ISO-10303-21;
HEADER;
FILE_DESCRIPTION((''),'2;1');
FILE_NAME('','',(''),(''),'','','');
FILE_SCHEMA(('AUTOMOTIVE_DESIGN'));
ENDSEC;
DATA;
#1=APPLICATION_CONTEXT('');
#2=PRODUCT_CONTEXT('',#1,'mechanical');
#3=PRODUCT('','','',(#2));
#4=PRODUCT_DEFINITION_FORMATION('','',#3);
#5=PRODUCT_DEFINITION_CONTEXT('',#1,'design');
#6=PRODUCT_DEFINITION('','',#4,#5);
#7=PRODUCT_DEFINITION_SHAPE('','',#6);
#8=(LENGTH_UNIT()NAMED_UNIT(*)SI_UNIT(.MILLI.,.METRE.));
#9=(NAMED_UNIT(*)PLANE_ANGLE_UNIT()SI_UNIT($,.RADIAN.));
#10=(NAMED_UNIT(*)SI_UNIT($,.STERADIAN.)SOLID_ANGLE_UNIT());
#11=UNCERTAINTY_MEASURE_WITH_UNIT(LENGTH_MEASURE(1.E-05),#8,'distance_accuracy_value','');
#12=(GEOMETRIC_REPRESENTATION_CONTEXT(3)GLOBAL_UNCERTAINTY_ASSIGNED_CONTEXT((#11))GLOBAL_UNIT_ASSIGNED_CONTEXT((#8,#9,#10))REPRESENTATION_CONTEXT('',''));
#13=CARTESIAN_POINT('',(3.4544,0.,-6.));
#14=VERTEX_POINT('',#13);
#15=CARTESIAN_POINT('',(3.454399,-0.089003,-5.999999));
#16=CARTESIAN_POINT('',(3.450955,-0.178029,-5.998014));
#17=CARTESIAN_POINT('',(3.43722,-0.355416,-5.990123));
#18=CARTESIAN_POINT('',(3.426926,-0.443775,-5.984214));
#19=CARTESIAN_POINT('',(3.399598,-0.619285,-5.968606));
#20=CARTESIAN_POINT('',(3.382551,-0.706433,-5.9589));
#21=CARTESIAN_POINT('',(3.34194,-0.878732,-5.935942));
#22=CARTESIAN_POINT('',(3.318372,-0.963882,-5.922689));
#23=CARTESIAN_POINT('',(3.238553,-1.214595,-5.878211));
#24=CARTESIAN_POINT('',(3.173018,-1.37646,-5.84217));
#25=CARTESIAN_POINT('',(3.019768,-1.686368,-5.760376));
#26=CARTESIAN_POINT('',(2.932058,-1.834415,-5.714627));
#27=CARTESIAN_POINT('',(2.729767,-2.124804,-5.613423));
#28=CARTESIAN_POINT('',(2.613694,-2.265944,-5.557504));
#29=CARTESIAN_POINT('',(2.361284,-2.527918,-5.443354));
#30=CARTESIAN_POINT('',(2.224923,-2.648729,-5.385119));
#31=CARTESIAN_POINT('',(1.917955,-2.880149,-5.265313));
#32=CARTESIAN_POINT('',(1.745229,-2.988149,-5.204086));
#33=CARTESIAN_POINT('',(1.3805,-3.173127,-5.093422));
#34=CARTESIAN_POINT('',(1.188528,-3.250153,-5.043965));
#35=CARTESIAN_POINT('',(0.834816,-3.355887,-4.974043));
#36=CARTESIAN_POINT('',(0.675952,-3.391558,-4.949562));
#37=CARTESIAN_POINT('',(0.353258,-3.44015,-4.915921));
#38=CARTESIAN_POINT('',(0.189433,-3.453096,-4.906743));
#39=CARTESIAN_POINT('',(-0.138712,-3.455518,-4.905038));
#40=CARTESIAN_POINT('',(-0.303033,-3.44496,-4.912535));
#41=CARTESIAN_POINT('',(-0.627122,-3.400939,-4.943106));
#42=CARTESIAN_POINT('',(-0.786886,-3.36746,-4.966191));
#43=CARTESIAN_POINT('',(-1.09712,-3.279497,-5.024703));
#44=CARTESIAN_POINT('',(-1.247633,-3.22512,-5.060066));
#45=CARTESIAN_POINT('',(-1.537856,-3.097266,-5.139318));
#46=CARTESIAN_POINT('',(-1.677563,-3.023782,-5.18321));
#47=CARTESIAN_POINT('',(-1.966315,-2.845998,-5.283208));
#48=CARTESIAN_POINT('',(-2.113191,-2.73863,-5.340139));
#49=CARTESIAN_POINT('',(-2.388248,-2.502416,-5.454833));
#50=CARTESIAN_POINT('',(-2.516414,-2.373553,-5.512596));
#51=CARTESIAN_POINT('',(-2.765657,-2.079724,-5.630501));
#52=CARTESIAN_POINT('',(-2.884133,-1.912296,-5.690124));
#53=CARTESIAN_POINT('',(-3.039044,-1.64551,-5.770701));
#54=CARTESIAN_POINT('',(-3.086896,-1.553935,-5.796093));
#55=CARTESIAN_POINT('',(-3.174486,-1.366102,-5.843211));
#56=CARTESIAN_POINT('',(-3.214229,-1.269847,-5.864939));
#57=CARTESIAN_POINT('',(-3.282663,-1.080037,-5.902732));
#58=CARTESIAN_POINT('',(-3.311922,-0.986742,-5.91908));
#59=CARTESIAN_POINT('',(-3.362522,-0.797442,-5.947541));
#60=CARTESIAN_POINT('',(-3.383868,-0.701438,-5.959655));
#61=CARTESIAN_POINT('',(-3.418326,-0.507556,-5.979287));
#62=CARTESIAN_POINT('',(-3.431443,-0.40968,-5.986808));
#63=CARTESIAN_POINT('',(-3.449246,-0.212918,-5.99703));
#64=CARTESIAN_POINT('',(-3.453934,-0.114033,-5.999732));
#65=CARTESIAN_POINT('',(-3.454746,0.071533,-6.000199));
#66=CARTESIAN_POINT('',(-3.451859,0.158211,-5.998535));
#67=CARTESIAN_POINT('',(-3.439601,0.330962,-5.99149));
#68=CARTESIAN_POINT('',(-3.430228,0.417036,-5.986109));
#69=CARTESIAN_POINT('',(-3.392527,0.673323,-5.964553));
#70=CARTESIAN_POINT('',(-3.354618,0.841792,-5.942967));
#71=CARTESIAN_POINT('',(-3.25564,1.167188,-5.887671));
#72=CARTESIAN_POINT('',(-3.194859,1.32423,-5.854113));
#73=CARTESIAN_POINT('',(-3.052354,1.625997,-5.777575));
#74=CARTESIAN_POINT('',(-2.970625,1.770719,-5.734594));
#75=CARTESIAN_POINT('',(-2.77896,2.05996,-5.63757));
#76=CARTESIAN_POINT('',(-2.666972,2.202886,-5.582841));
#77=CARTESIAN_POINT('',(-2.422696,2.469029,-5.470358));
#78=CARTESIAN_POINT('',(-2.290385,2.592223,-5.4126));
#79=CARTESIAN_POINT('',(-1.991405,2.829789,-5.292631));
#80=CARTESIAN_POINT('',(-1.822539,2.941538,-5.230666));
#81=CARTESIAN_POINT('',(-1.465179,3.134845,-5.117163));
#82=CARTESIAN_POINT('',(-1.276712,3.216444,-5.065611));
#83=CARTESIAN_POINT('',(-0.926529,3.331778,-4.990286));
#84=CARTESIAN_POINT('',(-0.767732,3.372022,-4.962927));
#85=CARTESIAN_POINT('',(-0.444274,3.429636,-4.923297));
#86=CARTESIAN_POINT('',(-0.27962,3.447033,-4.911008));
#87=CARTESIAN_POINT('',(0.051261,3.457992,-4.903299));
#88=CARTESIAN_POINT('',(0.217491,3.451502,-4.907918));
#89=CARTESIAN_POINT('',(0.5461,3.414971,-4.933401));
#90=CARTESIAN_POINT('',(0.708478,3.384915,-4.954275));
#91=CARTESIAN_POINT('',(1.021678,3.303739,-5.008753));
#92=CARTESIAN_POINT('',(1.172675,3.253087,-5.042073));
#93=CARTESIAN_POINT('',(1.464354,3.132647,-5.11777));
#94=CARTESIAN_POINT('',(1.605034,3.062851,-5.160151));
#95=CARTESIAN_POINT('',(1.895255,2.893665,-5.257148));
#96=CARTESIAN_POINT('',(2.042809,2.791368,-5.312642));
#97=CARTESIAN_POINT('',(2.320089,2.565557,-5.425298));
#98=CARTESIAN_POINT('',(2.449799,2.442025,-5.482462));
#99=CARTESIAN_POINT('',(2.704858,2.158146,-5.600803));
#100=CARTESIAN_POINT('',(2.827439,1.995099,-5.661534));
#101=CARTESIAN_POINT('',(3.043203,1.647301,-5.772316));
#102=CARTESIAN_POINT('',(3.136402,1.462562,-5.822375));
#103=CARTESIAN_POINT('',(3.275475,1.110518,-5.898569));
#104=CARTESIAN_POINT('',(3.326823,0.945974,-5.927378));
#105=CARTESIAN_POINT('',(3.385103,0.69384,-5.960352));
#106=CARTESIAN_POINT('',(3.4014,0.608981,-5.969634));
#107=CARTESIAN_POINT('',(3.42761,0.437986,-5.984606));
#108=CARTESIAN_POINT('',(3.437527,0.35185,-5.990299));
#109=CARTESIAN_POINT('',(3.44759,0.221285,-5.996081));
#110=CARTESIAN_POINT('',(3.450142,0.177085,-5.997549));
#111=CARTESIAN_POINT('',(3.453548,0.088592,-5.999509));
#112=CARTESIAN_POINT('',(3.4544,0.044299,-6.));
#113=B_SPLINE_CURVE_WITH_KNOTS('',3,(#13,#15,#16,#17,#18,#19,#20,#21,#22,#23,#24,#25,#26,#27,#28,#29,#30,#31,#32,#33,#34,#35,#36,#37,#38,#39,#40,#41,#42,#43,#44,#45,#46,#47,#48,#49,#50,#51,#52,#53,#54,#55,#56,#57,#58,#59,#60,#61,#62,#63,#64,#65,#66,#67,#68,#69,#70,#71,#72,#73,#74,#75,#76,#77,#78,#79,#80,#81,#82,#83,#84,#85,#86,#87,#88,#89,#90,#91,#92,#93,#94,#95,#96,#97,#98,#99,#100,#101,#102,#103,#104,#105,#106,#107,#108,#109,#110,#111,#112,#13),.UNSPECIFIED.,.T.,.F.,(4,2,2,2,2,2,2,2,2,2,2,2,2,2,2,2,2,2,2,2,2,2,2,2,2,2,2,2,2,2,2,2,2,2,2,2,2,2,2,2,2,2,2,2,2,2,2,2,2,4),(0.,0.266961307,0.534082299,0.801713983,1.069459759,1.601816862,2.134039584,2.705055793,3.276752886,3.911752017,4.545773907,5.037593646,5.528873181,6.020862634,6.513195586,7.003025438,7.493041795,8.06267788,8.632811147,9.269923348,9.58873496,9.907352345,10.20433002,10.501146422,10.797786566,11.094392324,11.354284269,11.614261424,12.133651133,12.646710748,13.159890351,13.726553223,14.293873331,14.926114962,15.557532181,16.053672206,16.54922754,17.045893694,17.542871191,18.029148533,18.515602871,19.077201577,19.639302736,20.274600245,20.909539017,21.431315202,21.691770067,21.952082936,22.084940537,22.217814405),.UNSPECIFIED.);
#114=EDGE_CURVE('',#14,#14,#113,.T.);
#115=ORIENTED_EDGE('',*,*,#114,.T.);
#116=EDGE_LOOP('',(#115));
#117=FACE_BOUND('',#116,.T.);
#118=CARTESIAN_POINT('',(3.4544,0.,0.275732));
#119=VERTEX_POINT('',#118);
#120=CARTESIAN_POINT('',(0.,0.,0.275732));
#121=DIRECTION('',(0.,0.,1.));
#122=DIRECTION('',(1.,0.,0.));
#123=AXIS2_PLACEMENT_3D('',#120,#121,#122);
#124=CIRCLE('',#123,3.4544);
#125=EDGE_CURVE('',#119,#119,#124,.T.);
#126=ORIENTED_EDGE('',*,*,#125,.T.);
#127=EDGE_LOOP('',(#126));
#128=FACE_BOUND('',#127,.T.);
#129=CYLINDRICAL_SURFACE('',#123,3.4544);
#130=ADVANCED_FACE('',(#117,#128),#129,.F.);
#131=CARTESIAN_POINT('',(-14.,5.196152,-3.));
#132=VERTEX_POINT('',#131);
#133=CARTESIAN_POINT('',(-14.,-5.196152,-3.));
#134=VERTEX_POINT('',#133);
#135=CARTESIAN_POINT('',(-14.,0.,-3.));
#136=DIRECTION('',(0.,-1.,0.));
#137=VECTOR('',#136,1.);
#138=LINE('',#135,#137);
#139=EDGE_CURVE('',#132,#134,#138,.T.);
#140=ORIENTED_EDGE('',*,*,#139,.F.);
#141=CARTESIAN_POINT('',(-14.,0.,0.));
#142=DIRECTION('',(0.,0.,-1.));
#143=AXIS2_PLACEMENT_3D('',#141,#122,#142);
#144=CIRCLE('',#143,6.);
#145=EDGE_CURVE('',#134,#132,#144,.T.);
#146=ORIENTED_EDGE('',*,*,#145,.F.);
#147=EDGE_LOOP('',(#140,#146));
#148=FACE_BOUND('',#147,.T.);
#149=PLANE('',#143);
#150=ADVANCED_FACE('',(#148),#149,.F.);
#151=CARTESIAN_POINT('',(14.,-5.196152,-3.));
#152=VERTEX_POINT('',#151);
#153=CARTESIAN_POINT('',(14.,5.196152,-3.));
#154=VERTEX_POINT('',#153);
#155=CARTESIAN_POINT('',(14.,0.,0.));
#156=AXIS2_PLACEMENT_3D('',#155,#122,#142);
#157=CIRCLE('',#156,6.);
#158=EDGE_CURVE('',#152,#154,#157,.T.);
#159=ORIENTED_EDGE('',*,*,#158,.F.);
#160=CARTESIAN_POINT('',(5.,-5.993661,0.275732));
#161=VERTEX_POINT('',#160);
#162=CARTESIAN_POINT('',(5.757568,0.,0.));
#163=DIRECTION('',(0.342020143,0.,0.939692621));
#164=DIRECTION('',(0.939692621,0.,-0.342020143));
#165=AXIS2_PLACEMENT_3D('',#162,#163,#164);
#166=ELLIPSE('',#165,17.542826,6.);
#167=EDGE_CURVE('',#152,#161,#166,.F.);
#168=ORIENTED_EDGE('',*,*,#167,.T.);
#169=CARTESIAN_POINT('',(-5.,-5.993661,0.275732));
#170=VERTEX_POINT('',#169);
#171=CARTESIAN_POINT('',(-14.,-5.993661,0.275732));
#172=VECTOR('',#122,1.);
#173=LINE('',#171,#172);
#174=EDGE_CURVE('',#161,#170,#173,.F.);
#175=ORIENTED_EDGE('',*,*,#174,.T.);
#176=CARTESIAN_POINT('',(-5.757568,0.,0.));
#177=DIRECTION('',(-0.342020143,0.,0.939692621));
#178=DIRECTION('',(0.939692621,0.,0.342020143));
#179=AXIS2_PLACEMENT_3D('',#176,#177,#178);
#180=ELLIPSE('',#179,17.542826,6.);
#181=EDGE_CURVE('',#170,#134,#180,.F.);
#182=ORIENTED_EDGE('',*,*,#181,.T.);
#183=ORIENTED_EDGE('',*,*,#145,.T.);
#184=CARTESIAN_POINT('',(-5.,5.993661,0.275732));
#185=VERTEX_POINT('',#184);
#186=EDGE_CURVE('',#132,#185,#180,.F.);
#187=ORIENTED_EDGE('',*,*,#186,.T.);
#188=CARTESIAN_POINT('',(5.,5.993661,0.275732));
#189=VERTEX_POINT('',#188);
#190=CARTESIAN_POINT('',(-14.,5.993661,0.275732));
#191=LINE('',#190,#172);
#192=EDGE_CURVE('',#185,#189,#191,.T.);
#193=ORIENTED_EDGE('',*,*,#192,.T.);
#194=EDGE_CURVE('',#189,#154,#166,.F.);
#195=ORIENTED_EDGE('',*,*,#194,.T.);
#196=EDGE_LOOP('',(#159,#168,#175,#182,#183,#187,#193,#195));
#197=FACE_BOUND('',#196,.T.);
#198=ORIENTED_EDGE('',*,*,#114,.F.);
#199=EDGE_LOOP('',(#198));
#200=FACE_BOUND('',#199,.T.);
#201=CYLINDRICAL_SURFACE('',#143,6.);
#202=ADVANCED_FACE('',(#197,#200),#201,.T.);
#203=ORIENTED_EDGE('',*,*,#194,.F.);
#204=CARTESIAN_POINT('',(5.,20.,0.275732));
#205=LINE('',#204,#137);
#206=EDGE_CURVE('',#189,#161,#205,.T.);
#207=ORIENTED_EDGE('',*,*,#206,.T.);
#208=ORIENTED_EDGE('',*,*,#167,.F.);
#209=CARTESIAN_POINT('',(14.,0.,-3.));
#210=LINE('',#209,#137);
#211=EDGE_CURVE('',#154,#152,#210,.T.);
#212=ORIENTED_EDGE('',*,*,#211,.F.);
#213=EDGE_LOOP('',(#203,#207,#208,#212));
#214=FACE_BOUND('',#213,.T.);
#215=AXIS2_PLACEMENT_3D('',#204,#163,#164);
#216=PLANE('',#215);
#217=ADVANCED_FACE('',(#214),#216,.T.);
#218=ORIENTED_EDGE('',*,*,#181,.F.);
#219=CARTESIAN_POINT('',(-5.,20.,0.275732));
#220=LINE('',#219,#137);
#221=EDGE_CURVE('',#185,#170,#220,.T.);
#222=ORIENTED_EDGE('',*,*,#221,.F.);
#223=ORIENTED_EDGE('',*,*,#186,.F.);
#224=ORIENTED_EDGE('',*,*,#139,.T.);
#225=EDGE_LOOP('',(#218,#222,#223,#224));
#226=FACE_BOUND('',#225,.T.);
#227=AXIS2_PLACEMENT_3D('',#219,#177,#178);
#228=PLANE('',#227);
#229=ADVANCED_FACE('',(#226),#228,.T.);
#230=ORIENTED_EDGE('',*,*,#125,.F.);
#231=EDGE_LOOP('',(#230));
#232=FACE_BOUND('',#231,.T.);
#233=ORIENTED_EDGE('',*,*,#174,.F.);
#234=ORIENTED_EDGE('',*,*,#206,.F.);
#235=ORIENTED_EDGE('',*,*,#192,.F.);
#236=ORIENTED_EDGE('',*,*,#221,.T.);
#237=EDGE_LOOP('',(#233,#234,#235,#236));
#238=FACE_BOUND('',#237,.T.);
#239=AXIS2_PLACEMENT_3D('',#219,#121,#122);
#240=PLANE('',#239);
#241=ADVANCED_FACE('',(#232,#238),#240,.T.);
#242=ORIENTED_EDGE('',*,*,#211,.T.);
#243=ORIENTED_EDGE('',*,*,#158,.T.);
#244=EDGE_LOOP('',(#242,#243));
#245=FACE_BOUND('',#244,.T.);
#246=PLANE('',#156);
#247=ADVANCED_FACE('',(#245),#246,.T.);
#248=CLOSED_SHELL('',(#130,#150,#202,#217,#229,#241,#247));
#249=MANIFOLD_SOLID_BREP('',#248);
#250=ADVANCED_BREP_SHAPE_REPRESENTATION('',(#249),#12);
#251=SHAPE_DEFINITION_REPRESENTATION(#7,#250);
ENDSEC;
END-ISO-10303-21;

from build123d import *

# Parameters (mm, degrees)
EXTRUDE1_START           = -14
SKETCH1_R                = 6
EXTRUDE1_DEPTH           = 28
EXTRUDE2_DEPTH           = 20
EXTRUDE2_DEPTH_BACK      = 20
F_5_16_24_TAPPED_HOLE1_D = 6.9088


with BuildPart() as part:
    # Sketch1 → Extrude1 (new body)
    with BuildSketch(Plane(origin=(0, 0, 0), x_dir=(0, 0, -1), z_dir=(1, 0, 0)).offset(EXTRUDE1_START)):
        Circle(SKETCH1_R)
    extrude(amount=EXTRUDE1_DEPTH)

    # Sketch2 → Extrude2 (cut, two sides)
    with BuildSketch(Plane(origin=(0, 0, 0), x_dir=(1, 0, 0), z_dir=(0, 1, 0))) as extrude2_sk:
        Polygon((-5, -0.275732108), (5, -0.275732108), (14, 3), (25.458166387, 3), (25.458166387, -16.52435343), (-25.590688577, -16.52435343), (-25.590688577, 3), (-14, 3), align=None)
    extrude(amount=EXTRUDE2_DEPTH, mode=Mode.SUBTRACT)
    extrude(extrude2_sk.sketch, amount=-EXTRUDE2_DEPTH_BACK, mode=Mode.SUBTRACT)

    # 5_16-24 Tapped Hole1 (through all)
    with Locations(Plane.XY.offset(0.275732108)):
        with Locations((0, 0)):
            Hole(F_5_16_24_TAPPED_HOLE1_D / 2)


solid = part.part
